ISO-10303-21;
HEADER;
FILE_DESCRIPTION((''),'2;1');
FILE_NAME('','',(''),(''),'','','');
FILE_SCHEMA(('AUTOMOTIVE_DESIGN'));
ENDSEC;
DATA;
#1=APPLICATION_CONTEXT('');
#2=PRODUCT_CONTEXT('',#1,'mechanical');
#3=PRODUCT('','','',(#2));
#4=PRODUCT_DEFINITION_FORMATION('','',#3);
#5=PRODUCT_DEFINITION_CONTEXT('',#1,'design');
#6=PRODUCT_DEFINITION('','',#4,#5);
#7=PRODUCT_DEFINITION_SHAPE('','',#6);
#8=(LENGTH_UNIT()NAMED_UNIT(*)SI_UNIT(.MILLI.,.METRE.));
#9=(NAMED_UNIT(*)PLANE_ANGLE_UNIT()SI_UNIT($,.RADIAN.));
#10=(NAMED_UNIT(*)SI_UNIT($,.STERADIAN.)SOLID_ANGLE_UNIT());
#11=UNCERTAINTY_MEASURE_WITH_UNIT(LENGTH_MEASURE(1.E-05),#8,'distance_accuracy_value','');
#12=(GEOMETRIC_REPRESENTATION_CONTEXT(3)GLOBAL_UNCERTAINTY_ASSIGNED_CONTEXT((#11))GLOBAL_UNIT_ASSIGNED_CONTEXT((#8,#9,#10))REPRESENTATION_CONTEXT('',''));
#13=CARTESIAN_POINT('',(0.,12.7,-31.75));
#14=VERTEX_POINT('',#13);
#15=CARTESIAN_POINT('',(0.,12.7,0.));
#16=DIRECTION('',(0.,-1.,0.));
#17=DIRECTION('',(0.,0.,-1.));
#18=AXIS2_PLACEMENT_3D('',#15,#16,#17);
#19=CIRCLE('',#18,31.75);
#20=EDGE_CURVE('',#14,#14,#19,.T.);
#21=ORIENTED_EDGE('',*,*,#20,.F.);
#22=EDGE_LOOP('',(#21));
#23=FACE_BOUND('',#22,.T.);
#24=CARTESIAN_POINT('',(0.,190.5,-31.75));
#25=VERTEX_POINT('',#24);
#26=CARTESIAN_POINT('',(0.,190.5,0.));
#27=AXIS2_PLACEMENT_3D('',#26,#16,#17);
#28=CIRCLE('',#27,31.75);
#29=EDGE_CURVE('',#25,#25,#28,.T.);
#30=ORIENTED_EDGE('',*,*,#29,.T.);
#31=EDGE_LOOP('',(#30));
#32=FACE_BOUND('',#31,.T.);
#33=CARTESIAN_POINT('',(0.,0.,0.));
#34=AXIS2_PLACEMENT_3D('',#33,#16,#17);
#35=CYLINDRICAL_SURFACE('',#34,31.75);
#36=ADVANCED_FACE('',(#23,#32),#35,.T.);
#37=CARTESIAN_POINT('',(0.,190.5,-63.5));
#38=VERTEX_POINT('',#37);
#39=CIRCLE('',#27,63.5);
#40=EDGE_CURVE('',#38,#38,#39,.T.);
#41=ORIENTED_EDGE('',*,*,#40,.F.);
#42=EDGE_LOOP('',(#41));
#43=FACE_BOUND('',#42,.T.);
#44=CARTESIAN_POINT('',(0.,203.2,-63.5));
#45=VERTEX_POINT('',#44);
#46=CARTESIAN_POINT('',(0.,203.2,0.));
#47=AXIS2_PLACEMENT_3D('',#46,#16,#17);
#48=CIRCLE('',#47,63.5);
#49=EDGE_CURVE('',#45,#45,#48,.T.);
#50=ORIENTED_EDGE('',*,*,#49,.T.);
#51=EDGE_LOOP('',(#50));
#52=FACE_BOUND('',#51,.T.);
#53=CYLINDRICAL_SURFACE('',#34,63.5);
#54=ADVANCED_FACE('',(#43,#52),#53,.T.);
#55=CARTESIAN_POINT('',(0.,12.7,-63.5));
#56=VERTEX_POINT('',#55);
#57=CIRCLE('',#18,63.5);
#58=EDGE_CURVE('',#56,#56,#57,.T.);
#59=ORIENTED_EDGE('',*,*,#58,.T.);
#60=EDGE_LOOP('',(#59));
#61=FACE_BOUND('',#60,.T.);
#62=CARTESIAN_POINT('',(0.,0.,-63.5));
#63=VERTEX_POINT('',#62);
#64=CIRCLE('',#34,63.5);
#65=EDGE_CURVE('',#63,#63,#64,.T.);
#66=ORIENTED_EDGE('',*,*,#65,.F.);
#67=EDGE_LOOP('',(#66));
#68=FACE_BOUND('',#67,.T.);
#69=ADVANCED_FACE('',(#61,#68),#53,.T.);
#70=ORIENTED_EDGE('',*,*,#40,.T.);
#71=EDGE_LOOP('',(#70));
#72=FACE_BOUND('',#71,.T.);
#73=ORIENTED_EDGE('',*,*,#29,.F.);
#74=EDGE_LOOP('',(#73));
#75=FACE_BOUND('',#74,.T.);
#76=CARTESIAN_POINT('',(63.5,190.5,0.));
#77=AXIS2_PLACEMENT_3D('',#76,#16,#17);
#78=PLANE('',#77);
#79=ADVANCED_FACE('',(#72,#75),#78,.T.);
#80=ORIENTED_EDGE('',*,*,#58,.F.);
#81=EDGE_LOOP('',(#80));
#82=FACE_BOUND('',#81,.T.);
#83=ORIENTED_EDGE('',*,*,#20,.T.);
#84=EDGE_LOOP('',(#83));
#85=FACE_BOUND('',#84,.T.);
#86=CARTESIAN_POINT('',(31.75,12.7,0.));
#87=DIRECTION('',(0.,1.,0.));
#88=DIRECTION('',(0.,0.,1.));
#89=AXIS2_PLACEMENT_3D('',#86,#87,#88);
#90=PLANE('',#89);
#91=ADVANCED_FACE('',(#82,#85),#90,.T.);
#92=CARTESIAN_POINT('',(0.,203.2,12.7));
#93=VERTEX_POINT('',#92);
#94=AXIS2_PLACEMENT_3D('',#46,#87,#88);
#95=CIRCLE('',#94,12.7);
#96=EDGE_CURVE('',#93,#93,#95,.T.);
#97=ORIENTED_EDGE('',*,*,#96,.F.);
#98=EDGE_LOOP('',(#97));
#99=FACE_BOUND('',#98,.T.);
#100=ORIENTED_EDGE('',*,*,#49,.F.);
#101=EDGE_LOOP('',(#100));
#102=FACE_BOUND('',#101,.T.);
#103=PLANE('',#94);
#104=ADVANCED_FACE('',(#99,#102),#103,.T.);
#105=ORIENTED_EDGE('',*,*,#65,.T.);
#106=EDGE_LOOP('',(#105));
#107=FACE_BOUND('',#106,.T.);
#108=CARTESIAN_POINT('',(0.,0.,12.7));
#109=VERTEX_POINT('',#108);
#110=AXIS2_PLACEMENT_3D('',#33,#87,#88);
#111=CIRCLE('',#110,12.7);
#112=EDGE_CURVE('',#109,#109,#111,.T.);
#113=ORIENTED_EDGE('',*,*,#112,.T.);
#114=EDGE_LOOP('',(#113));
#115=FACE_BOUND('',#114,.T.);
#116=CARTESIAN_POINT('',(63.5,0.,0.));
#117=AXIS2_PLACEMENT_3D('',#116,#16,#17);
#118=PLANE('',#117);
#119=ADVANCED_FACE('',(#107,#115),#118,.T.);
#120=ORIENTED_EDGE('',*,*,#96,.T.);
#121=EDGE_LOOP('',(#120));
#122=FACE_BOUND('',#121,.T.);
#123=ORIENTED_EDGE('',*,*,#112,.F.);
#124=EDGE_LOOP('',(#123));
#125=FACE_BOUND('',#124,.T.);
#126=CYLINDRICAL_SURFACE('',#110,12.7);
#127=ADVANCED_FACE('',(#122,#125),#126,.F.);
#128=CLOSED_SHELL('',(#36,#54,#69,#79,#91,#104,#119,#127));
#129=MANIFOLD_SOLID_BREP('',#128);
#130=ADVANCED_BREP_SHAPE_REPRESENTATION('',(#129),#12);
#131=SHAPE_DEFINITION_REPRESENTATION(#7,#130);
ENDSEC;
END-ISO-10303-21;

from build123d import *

# Parameters (mm, degrees)
SKETCH3_R          = 12.7
CUT_EXTRUDE1_DEPTH = 223.159267194


with BuildPart() as part:
    # Sketch2 → Revolve1 (revolve)
    with BuildSketch(Plane.XY, mode=Mode.PRIVATE) as revolve1_sk:
        Polygon((0, 0), (0, 203.2), (63.5, 203.2), (63.5, 190.5), (31.75, 190.5), (31.75, 12.7), (63.5, 12.7), (63.5, 0), align=None)
    revolve(revolve1_sk.sketch.rotate(Axis((0, 0, 0), (0, 1, 0)), 90), axis=Axis((0, 0, 0), (0, 1, 0)))

    # Sketch3 → Cut-Extrude1 (cut, through all)
    with BuildSketch(Plane(origin=(0, 203.2, 0), x_dir=(1, 0, 0), z_dir=(0, 1, 0))):
        with Locations(Location((0, 0, 0), (0, 0, 270))):
            Circle(SKETCH3_R)
    extrude(amount=-CUT_EXTRUDE1_DEPTH, mode=Mode.SUBTRACT)


solid = part.part
